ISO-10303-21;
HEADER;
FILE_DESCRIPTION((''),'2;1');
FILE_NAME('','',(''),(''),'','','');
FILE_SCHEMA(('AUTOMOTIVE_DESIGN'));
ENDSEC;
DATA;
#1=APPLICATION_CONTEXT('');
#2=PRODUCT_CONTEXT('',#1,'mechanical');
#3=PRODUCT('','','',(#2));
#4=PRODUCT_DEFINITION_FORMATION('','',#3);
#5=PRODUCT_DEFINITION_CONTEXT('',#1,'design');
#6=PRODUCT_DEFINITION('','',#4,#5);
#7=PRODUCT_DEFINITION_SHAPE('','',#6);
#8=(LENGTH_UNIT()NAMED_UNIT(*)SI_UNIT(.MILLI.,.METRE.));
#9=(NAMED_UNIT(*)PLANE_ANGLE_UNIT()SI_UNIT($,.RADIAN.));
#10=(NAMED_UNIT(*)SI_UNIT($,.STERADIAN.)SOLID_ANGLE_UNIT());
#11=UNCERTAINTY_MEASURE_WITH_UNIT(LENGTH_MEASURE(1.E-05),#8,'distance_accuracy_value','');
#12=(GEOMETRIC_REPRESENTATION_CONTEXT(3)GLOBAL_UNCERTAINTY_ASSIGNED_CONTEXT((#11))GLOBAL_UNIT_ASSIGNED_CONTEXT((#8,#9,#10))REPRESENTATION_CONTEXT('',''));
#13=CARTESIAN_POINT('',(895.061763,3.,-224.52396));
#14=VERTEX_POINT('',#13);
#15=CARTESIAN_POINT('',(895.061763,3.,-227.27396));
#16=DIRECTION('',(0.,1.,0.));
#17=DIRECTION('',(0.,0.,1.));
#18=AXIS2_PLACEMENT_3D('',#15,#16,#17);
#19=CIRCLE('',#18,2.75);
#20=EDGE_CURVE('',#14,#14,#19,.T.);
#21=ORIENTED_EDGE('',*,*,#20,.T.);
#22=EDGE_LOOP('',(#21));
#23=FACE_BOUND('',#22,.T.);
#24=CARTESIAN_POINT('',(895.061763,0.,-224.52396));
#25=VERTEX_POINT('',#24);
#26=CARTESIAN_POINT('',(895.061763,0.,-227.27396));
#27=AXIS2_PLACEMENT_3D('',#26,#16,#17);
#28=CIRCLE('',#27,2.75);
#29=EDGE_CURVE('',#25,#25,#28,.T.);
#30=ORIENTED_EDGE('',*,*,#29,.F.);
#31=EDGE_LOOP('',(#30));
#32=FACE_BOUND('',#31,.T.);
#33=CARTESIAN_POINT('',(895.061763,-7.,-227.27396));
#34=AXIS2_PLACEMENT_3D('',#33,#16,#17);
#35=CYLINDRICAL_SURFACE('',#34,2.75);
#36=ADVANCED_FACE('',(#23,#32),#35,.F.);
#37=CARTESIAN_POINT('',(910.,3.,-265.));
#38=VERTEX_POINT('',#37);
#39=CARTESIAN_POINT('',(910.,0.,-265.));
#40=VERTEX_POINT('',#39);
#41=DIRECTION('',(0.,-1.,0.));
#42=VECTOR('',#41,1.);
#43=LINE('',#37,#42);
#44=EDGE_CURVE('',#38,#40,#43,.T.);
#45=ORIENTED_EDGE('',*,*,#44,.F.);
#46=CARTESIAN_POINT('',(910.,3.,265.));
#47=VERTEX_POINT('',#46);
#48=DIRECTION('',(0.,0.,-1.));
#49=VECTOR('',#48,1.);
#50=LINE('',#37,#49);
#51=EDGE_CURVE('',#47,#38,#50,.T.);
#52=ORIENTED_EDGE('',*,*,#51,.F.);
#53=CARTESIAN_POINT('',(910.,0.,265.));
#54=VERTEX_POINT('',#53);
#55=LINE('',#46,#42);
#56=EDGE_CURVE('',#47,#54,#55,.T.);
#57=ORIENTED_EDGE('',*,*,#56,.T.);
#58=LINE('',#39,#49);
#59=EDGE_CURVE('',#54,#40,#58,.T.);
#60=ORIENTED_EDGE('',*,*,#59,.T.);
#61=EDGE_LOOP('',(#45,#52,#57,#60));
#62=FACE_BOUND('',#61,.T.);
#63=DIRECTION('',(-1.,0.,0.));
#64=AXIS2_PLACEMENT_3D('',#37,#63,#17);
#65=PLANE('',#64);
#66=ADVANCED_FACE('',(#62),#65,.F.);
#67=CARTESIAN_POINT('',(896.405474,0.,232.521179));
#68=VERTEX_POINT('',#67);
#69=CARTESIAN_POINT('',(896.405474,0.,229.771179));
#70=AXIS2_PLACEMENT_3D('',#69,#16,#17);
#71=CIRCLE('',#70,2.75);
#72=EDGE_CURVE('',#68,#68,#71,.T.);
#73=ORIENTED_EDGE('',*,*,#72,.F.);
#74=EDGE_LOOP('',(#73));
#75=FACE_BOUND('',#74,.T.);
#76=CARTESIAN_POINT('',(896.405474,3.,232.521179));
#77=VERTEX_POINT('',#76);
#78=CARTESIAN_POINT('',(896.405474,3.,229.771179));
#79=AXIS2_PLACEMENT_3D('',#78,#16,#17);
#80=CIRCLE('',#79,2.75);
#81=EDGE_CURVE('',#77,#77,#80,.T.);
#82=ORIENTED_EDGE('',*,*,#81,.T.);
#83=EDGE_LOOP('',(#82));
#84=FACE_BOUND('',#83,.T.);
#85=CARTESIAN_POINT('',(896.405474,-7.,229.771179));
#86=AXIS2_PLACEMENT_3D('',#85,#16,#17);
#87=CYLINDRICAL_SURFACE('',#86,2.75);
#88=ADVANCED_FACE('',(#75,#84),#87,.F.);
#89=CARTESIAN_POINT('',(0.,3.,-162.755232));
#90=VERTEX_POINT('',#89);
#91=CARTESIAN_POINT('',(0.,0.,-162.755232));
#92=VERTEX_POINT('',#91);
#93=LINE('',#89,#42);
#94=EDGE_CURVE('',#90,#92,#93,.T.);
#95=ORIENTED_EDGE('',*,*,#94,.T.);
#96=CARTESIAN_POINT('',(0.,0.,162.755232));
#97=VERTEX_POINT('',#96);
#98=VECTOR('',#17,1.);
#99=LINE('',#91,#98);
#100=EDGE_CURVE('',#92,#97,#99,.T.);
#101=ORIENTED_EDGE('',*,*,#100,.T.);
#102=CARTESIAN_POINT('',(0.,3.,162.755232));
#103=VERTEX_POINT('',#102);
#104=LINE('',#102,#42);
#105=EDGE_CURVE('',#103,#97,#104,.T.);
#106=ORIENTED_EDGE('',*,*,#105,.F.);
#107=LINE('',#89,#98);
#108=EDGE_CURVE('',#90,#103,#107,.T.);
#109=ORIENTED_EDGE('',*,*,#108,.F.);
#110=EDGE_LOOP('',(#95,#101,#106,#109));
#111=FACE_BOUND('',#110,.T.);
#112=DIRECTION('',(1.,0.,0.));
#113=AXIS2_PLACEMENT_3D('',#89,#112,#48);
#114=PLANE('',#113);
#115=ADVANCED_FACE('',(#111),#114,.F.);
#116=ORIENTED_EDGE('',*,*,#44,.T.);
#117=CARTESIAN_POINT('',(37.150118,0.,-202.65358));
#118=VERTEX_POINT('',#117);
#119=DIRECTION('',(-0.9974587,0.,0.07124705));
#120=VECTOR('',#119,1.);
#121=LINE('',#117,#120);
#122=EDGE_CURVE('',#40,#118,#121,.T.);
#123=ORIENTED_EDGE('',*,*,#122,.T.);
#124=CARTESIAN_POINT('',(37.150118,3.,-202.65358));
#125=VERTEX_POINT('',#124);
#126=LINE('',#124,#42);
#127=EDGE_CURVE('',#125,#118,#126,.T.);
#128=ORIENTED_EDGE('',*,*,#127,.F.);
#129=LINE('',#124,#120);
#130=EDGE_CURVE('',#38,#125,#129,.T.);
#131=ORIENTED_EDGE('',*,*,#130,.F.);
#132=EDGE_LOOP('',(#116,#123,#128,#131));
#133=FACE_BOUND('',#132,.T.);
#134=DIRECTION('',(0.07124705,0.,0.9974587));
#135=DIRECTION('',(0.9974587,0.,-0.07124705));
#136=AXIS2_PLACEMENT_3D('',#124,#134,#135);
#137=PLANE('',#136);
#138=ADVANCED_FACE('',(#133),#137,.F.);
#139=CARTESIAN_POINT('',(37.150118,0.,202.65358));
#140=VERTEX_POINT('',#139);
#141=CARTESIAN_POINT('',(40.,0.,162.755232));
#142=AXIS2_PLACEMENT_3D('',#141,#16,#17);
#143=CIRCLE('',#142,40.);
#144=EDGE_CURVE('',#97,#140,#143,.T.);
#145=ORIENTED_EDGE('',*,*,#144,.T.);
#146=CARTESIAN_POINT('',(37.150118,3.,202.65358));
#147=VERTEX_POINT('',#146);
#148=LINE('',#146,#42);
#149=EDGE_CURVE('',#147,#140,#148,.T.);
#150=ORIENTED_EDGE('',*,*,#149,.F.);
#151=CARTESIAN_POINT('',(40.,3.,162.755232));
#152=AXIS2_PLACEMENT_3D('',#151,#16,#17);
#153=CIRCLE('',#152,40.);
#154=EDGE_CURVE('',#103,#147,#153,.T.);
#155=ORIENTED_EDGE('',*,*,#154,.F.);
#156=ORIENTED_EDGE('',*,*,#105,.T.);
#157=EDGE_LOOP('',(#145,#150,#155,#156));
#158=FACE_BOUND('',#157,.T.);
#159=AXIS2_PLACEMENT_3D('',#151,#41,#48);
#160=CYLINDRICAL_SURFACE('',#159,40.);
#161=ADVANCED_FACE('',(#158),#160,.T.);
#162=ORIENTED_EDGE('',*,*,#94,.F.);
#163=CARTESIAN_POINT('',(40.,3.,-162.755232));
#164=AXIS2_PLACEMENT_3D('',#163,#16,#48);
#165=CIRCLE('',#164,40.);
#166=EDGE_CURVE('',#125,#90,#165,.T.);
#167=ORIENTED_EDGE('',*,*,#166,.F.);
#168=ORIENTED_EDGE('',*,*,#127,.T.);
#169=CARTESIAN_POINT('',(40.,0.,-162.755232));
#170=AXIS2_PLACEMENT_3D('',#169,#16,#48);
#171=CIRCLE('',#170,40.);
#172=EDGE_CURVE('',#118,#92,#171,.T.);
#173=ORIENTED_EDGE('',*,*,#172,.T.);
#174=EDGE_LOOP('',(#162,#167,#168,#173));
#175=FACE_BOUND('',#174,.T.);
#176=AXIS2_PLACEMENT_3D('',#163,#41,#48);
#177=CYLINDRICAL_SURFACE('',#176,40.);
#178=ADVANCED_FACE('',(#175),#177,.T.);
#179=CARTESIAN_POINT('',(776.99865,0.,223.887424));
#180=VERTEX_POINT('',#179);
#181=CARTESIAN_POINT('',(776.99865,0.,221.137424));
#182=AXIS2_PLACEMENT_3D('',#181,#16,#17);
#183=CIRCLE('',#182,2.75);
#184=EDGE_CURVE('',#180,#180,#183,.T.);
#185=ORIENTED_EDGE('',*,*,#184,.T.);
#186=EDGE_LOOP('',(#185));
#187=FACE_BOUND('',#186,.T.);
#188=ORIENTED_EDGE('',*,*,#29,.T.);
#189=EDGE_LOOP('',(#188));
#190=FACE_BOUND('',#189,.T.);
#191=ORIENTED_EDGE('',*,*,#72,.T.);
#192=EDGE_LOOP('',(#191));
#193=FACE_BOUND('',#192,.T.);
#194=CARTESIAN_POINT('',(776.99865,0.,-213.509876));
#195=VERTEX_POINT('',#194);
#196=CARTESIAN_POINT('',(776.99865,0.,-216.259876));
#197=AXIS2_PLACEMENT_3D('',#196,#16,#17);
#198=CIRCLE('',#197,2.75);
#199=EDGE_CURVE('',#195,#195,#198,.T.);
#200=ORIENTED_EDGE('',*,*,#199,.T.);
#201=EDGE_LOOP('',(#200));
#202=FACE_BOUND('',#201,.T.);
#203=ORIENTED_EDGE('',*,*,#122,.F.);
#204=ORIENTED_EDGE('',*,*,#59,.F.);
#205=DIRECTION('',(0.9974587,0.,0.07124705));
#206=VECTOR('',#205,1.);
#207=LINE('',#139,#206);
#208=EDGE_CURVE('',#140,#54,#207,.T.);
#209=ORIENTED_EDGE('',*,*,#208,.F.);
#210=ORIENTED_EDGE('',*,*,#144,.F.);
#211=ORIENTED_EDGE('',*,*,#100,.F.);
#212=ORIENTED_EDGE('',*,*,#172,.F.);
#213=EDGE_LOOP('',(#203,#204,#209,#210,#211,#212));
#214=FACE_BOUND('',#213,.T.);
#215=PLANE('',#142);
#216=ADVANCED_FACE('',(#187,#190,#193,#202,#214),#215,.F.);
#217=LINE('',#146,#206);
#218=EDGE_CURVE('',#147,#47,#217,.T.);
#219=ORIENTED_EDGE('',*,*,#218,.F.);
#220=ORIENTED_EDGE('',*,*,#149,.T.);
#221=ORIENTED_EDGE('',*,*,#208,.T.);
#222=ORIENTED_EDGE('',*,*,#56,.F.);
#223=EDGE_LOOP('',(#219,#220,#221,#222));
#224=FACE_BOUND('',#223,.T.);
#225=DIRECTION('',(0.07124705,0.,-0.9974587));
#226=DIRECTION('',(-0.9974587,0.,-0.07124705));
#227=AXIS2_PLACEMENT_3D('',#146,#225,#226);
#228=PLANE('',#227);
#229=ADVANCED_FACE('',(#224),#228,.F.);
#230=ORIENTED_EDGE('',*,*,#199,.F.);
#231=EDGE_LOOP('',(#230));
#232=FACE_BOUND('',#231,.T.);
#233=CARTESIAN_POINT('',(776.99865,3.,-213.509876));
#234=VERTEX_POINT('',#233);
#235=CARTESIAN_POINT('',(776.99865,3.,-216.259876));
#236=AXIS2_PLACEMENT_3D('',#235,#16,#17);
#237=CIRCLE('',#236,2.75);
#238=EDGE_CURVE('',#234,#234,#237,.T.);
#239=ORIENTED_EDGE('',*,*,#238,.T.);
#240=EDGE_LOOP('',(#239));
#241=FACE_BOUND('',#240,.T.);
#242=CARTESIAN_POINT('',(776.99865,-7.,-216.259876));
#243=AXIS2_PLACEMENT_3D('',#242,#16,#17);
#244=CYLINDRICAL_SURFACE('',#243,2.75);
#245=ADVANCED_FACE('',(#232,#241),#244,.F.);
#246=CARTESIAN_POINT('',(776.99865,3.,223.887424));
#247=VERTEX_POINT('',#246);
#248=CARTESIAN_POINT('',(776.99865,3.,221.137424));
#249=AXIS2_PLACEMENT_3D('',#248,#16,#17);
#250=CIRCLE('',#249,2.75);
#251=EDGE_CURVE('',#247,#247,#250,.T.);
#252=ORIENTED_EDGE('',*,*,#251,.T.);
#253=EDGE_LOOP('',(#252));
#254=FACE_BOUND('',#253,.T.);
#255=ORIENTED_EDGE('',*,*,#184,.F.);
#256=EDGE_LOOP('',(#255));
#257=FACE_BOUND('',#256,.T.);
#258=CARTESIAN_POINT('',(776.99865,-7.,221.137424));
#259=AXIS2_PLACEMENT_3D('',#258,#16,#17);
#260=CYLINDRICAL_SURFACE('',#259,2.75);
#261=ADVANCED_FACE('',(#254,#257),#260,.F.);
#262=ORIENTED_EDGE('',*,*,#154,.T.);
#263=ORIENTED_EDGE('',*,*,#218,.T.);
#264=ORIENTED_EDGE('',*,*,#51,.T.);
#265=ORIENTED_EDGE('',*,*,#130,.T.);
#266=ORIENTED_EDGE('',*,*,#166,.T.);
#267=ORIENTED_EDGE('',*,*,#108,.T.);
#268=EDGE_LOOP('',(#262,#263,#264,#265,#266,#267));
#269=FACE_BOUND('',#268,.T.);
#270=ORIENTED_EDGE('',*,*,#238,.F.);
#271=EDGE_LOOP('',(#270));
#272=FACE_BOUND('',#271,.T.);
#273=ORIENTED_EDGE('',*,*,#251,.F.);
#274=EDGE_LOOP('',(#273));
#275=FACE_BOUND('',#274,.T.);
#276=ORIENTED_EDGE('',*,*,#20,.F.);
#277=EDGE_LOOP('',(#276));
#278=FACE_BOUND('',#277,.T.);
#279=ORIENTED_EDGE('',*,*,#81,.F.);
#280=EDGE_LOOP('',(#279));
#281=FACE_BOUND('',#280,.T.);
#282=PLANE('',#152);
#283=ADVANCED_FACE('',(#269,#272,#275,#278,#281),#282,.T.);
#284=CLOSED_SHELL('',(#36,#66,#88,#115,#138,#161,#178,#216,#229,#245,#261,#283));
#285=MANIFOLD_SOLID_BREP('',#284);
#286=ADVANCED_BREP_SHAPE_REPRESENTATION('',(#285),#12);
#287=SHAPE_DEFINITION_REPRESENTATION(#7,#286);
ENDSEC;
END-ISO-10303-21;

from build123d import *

# Parameters (mm, degrees)
RESSALTO_EXTRUS_O1_DEPTH = 3
SKETCH1_R                = 2.75
CUT_EXTRUDE1_DEPTH       = 10


with BuildPart() as part:
    # Esboço1 → Ressalto-extrusão1 (new body)
    with BuildSketch(Plane(origin=(0, 0, 0), x_dir=(1, 0, 0), z_dir=(0, 1, 0))):
        with BuildLine():
            Line((0, 162.755231864), (0, -162.755231864))
            ThreePointArc((0, -162.755231864), (10.725477972, -190.013301495), (37.150118, -202.653579857))
            Line((37.150118, -202.653579857), (910, -265))
            Line((910, -265), (910, 265))
            Line((910, 265), (37.150118, 202.653579857))
            ThreePointArc((37.150118, 202.653579857), (10.725477972, 190.013301495), (0, 162.755231864))
        make_face()
    extrude(amount=RESSALTO_EXTRUS_O1_DEPTH)

    # Sketch1 → Cut-Extrude1 (cut)
    with BuildSketch(Plane(origin=(0, 3, 0), x_dir=(1, 0, 0), z_dir=(0, 1, 0))):
        with Locations(Location((776.99864992, -221.137424035, 0), (0, 0, 270))):
            Circle(SKETCH1_R)
        with Locations(Location((896.405474423, -229.771178815, 0), (0, 0, 270))):
            Circle(SKETCH1_R)
        with Locations(Location((776.99864992, 216.259876239, 0), (0, 0, 270))):
            Circle(SKETCH1_R)
        with Locations(Location((895.061762745, 227.273960295, 0), (0, 0, 270))):
            Circle(SKETCH1_R)
    extrude(amount=-CUT_EXTRUDE1_DEPTH, mode=Mode.SUBTRACT)


solid = part.part
